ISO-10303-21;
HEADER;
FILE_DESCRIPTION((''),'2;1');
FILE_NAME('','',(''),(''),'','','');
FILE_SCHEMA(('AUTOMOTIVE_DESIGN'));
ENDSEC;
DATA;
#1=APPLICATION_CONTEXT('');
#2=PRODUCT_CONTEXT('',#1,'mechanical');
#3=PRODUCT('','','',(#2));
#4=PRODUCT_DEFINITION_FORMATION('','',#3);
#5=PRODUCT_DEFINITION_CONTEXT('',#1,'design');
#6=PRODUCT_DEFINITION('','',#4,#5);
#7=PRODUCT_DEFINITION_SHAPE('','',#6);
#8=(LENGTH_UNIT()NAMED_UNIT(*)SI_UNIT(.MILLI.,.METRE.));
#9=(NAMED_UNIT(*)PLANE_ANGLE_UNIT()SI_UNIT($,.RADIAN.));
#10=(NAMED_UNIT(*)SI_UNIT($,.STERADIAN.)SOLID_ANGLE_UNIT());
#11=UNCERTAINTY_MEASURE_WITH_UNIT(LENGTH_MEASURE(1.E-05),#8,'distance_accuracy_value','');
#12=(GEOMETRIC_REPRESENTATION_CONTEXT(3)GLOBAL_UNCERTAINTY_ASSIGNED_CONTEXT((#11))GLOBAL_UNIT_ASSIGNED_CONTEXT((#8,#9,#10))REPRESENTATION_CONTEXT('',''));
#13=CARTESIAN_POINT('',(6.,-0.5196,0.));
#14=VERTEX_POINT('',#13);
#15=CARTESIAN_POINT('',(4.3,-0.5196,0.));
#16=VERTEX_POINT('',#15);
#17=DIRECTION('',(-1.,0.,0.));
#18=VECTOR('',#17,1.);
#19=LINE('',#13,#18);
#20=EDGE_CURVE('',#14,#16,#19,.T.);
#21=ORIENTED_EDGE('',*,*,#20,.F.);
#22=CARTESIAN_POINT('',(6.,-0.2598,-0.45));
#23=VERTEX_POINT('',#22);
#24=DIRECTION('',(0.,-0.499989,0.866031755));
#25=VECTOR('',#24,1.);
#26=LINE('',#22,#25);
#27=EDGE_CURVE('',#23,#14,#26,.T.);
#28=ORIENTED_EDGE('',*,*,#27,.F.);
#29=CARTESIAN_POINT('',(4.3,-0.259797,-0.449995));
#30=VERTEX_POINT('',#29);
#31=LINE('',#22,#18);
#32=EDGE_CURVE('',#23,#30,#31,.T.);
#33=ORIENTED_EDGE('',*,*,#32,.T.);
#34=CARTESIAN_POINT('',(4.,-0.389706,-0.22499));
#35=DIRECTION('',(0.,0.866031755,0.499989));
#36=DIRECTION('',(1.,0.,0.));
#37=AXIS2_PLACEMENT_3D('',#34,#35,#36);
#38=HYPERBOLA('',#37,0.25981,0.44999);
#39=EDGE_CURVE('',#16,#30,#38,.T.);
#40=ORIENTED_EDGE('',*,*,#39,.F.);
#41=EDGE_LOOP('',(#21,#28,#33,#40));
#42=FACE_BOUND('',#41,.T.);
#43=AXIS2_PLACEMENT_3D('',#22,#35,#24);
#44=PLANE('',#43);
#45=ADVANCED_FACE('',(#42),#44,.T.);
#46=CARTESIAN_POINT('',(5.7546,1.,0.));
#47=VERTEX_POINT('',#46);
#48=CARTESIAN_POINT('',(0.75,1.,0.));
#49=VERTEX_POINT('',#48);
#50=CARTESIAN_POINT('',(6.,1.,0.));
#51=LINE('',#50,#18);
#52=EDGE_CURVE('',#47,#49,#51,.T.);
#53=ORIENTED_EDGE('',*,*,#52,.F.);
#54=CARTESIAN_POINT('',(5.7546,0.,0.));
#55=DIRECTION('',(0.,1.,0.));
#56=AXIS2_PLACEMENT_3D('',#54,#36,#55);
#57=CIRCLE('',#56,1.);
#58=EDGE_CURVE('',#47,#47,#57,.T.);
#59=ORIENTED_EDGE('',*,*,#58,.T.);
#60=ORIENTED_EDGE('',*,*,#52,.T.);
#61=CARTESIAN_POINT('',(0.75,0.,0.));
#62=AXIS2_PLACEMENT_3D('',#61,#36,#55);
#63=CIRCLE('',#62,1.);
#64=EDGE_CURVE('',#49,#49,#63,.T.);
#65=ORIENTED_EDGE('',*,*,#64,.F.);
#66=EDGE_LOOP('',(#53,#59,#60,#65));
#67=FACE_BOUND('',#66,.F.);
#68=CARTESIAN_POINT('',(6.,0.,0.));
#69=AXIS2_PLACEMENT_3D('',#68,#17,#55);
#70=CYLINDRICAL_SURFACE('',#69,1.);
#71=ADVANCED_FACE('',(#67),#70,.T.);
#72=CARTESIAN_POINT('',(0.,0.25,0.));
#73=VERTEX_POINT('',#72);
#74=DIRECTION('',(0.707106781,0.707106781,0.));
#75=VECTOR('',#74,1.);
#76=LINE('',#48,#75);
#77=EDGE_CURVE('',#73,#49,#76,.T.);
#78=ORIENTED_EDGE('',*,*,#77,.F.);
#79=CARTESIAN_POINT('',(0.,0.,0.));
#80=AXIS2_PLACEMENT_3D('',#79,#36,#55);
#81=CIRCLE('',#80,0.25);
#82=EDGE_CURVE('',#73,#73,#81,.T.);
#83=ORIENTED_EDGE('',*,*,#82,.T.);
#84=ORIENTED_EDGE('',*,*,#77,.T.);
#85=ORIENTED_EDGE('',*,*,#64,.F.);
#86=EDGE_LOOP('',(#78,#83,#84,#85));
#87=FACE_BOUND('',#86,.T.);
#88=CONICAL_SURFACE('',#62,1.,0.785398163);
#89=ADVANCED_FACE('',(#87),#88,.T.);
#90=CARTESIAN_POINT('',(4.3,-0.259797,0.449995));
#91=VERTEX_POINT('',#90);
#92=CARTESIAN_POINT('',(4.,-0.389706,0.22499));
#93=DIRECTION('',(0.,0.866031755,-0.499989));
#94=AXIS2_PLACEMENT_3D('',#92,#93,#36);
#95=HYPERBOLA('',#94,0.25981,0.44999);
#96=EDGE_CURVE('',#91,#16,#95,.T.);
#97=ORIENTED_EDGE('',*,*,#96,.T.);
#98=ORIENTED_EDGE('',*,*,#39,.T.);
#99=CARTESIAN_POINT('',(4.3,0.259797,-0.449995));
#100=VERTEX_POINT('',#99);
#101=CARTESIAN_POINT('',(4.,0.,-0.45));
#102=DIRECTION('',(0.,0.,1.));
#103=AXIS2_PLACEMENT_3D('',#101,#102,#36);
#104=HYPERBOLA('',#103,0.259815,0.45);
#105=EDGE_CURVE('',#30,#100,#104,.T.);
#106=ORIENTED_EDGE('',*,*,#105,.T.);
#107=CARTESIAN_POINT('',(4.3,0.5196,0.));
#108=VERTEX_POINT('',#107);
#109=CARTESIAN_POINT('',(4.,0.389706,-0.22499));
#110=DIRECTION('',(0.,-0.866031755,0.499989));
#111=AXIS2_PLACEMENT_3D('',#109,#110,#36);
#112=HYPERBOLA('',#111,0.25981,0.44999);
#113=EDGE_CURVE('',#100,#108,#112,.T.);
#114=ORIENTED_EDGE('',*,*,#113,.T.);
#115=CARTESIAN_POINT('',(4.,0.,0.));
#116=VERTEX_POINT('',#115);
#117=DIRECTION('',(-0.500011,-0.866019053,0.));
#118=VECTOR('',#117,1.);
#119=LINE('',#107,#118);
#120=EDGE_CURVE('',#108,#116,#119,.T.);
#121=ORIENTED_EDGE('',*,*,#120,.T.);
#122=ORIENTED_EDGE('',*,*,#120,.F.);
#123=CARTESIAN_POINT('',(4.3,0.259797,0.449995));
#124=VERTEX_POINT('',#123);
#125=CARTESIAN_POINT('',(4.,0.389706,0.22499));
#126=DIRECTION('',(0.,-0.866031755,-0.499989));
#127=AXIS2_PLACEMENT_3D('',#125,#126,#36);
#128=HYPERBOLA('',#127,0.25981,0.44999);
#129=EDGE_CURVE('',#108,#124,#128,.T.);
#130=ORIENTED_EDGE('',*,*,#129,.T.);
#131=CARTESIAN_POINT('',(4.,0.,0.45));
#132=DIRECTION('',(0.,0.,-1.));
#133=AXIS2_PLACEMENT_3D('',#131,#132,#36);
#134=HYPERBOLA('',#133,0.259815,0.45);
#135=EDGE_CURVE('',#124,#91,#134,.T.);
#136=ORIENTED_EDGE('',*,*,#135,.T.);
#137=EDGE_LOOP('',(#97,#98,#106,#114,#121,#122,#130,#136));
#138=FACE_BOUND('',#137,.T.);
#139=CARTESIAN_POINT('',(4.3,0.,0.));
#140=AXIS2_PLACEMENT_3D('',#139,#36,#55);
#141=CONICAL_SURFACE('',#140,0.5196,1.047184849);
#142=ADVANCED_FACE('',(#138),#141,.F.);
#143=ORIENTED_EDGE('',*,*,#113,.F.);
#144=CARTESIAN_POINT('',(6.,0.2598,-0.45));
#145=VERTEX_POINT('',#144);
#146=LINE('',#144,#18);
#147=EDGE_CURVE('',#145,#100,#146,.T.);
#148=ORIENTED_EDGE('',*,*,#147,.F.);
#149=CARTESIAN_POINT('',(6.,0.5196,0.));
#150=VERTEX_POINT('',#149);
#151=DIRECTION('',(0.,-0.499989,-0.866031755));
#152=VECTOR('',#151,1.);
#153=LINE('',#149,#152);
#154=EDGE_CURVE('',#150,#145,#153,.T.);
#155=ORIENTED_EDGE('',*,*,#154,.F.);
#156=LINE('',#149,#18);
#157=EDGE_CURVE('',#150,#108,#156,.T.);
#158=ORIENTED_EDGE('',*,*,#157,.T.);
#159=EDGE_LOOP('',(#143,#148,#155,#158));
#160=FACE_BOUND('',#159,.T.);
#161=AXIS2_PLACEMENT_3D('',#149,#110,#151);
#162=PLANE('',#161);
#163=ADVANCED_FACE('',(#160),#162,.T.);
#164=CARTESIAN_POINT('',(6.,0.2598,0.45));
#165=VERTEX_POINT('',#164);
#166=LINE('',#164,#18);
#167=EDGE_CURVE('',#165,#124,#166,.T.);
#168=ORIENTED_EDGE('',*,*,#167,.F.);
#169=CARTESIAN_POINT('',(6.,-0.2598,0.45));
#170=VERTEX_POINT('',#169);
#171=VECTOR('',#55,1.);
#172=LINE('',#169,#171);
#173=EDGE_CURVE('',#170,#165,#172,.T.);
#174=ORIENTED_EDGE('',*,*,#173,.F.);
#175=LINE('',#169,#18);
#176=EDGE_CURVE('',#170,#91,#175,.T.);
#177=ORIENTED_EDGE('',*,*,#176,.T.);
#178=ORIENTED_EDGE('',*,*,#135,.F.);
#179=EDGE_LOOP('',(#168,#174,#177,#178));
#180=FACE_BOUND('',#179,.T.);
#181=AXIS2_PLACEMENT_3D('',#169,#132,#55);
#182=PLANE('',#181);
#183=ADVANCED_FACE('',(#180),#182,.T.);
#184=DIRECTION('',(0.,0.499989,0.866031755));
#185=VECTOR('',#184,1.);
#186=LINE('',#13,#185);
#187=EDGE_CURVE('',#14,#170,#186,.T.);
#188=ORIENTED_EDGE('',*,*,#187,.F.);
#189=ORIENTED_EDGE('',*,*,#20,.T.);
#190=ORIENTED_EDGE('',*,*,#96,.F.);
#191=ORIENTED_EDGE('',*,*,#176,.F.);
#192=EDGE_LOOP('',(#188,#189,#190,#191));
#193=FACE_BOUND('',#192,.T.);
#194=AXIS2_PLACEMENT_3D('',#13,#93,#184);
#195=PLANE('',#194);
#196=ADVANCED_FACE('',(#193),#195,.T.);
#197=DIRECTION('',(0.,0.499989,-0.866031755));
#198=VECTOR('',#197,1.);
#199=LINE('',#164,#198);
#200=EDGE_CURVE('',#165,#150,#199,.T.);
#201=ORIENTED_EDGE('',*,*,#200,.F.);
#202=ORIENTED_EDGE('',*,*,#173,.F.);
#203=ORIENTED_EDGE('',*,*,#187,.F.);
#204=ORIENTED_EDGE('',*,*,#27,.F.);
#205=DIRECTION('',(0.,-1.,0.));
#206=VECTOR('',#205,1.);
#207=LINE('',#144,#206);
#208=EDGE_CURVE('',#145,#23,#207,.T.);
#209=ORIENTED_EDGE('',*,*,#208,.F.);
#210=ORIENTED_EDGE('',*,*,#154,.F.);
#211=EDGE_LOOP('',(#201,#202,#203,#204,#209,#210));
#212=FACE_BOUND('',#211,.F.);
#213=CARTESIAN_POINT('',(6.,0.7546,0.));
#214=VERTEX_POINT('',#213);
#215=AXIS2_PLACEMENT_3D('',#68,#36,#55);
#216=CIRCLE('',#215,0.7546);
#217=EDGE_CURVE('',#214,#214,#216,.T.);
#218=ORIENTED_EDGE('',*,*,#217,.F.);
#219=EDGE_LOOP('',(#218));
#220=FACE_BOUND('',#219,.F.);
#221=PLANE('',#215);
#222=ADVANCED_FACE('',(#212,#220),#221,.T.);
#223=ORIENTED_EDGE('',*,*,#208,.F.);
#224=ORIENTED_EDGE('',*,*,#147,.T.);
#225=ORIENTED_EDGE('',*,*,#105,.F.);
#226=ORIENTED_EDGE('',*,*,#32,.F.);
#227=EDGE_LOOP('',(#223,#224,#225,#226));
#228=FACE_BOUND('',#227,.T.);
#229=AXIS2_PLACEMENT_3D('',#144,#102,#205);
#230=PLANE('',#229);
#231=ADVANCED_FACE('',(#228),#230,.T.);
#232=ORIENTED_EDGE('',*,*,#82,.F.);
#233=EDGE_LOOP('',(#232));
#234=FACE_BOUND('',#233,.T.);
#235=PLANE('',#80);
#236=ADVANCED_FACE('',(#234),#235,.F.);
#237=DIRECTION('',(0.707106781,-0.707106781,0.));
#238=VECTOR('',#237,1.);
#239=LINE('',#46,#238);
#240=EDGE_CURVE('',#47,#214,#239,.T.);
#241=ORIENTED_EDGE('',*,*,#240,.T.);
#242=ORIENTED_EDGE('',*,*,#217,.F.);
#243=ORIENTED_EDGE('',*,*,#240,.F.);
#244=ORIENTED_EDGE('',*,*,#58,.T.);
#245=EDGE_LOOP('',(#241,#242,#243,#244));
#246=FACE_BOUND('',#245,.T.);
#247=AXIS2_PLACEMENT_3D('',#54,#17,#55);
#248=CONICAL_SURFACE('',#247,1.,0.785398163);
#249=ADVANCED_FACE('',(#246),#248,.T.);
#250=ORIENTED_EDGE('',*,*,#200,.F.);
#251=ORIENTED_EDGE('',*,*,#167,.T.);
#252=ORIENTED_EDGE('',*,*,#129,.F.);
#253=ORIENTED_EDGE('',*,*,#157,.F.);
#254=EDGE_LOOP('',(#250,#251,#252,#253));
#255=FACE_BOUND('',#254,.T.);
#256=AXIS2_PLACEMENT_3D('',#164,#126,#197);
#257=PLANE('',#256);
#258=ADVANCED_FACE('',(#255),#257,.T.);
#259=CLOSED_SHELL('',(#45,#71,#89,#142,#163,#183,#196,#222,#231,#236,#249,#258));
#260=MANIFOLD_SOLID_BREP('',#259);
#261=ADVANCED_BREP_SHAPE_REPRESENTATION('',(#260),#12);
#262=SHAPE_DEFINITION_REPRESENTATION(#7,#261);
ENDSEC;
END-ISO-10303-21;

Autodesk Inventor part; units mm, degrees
ref_plane "YZ Plane" through (0, 0, 0) normal (1, 0, 0) x (0, 1, 0)
ref_plane "XZ Plane" through (0, 0, 0) normal (0, 1, 0) x (-1, 0, 0)
sketch "Sketch1" plane through (0, 0, 0) normal (0, 0, 1) x (1, 0, 0)
  line L0 (0, 0) -> (4, 0)
  line L1 (6, 0.5196) -> (6, 1)
  line L2 (6, 1) -> (0, 1)
  line L3 (6, 0.5196) -> (4.3, 0.5196)
  line L4 (4.3, 0.5196) -> (4, 0)
  line L5 (0, -0.2) -> (0, 1.2) projected
  line L6 (0, 1) -> (0, 0)
  dimension "d0" = 1.7
  dimension "d1" = 60
  dimension "d2" = 2
  dimension "d3" = 1.0392
  dimension "d5" = 6
revolve "Body" add sketch "Sketch1" angle 360 about axis through (0, 0, 0) along (1, 0, 0)
sketch "Sketch2" plane through (6, 0, 0) normal (1, 0, 0) x (0, 1, 0)
  circle A0 centre (0, 0) radius 0.5196 projected
  line L0 (-0.2598, 0.45) -> (0.2598, 0.45)
  line L1 (0.2598, 0.45) -> (0.5196, 0)
  line L2 (0.5196, 0) -> (0.2598, -0.45)
  line L3 (0.2598, -0.45) -> (-0.2598, -0.45)
  line L4 (-0.2598, -0.45) -> (-0.5196, 0)
  line L5 (-0.5196, 0) -> (-0.2598, 0.45)
  point P0 (0, 0)
  point P1 (0, 0)
extrude "Slot" add sketch "Sketch2" against normal up to next contours L1 A0 | A0 L2 | L0 A0 | A0 L3 | L5 A0 | A0 L4
thread "Thread" size "M2x0.4" class "6g" standard "ISO Metric profile" length 6
chamfer "Chamfer1" distance 0.75 angle 45 1 edges at (0, -1, 0) measured on face at (4, 0.9871, -0.1604)
chamfer "Chamfer2" distance 0.2454 angle 45 1 edges at (6, -1, 0) measured on face at (4.25, 0.9871, -0.1604)
ref_plane "Work Plane1" through (3, 0, 0) normal (0, 0, 1) x (1, 0, 0)
equation "\"d0\" = INTI"
equation "\"d2\" = NND"
equation "\"d3\" = 1.1547 * SW"
equation "\"d5\" = NLG"
equation "\"d12\" = NLG"
equation "\"d9\" = FAWI"
equation "\"d10\" = -0.5 * GD1 + 0.5 * NND"
equation "\"d11\" = FAWI"
equation "\"d35\" = -0.5 * GD1 + 0.5 * NND"
equation "\"NND\" = 2"
equation "\"NLG\" = 6"
equation "\"INTI\" = 1.7"
equation "\"FAWI\" = 45deg"
equation "\"SW\" = 0.9"
equation "\"GD1\" = THREADDIA - 1.2269 * PTC"
equation "\"FAWI1\" = 45deg"
equation "\"SPD\" = 0.5"
equation "\"GUL\" = 0.61345 * PTC"
equation "\"TOA\" = 30deg"
equation "\"THREADDIA\" = 2"
equation "\"PTC\" = 0.4"
equation "\"GAL\" = 0.61345 * PTC"
equation "\"E0\" = 1.155 * SW"
properties part number "ISO 4027 - M2 x 6" material "Stainless Steel, 440C"
